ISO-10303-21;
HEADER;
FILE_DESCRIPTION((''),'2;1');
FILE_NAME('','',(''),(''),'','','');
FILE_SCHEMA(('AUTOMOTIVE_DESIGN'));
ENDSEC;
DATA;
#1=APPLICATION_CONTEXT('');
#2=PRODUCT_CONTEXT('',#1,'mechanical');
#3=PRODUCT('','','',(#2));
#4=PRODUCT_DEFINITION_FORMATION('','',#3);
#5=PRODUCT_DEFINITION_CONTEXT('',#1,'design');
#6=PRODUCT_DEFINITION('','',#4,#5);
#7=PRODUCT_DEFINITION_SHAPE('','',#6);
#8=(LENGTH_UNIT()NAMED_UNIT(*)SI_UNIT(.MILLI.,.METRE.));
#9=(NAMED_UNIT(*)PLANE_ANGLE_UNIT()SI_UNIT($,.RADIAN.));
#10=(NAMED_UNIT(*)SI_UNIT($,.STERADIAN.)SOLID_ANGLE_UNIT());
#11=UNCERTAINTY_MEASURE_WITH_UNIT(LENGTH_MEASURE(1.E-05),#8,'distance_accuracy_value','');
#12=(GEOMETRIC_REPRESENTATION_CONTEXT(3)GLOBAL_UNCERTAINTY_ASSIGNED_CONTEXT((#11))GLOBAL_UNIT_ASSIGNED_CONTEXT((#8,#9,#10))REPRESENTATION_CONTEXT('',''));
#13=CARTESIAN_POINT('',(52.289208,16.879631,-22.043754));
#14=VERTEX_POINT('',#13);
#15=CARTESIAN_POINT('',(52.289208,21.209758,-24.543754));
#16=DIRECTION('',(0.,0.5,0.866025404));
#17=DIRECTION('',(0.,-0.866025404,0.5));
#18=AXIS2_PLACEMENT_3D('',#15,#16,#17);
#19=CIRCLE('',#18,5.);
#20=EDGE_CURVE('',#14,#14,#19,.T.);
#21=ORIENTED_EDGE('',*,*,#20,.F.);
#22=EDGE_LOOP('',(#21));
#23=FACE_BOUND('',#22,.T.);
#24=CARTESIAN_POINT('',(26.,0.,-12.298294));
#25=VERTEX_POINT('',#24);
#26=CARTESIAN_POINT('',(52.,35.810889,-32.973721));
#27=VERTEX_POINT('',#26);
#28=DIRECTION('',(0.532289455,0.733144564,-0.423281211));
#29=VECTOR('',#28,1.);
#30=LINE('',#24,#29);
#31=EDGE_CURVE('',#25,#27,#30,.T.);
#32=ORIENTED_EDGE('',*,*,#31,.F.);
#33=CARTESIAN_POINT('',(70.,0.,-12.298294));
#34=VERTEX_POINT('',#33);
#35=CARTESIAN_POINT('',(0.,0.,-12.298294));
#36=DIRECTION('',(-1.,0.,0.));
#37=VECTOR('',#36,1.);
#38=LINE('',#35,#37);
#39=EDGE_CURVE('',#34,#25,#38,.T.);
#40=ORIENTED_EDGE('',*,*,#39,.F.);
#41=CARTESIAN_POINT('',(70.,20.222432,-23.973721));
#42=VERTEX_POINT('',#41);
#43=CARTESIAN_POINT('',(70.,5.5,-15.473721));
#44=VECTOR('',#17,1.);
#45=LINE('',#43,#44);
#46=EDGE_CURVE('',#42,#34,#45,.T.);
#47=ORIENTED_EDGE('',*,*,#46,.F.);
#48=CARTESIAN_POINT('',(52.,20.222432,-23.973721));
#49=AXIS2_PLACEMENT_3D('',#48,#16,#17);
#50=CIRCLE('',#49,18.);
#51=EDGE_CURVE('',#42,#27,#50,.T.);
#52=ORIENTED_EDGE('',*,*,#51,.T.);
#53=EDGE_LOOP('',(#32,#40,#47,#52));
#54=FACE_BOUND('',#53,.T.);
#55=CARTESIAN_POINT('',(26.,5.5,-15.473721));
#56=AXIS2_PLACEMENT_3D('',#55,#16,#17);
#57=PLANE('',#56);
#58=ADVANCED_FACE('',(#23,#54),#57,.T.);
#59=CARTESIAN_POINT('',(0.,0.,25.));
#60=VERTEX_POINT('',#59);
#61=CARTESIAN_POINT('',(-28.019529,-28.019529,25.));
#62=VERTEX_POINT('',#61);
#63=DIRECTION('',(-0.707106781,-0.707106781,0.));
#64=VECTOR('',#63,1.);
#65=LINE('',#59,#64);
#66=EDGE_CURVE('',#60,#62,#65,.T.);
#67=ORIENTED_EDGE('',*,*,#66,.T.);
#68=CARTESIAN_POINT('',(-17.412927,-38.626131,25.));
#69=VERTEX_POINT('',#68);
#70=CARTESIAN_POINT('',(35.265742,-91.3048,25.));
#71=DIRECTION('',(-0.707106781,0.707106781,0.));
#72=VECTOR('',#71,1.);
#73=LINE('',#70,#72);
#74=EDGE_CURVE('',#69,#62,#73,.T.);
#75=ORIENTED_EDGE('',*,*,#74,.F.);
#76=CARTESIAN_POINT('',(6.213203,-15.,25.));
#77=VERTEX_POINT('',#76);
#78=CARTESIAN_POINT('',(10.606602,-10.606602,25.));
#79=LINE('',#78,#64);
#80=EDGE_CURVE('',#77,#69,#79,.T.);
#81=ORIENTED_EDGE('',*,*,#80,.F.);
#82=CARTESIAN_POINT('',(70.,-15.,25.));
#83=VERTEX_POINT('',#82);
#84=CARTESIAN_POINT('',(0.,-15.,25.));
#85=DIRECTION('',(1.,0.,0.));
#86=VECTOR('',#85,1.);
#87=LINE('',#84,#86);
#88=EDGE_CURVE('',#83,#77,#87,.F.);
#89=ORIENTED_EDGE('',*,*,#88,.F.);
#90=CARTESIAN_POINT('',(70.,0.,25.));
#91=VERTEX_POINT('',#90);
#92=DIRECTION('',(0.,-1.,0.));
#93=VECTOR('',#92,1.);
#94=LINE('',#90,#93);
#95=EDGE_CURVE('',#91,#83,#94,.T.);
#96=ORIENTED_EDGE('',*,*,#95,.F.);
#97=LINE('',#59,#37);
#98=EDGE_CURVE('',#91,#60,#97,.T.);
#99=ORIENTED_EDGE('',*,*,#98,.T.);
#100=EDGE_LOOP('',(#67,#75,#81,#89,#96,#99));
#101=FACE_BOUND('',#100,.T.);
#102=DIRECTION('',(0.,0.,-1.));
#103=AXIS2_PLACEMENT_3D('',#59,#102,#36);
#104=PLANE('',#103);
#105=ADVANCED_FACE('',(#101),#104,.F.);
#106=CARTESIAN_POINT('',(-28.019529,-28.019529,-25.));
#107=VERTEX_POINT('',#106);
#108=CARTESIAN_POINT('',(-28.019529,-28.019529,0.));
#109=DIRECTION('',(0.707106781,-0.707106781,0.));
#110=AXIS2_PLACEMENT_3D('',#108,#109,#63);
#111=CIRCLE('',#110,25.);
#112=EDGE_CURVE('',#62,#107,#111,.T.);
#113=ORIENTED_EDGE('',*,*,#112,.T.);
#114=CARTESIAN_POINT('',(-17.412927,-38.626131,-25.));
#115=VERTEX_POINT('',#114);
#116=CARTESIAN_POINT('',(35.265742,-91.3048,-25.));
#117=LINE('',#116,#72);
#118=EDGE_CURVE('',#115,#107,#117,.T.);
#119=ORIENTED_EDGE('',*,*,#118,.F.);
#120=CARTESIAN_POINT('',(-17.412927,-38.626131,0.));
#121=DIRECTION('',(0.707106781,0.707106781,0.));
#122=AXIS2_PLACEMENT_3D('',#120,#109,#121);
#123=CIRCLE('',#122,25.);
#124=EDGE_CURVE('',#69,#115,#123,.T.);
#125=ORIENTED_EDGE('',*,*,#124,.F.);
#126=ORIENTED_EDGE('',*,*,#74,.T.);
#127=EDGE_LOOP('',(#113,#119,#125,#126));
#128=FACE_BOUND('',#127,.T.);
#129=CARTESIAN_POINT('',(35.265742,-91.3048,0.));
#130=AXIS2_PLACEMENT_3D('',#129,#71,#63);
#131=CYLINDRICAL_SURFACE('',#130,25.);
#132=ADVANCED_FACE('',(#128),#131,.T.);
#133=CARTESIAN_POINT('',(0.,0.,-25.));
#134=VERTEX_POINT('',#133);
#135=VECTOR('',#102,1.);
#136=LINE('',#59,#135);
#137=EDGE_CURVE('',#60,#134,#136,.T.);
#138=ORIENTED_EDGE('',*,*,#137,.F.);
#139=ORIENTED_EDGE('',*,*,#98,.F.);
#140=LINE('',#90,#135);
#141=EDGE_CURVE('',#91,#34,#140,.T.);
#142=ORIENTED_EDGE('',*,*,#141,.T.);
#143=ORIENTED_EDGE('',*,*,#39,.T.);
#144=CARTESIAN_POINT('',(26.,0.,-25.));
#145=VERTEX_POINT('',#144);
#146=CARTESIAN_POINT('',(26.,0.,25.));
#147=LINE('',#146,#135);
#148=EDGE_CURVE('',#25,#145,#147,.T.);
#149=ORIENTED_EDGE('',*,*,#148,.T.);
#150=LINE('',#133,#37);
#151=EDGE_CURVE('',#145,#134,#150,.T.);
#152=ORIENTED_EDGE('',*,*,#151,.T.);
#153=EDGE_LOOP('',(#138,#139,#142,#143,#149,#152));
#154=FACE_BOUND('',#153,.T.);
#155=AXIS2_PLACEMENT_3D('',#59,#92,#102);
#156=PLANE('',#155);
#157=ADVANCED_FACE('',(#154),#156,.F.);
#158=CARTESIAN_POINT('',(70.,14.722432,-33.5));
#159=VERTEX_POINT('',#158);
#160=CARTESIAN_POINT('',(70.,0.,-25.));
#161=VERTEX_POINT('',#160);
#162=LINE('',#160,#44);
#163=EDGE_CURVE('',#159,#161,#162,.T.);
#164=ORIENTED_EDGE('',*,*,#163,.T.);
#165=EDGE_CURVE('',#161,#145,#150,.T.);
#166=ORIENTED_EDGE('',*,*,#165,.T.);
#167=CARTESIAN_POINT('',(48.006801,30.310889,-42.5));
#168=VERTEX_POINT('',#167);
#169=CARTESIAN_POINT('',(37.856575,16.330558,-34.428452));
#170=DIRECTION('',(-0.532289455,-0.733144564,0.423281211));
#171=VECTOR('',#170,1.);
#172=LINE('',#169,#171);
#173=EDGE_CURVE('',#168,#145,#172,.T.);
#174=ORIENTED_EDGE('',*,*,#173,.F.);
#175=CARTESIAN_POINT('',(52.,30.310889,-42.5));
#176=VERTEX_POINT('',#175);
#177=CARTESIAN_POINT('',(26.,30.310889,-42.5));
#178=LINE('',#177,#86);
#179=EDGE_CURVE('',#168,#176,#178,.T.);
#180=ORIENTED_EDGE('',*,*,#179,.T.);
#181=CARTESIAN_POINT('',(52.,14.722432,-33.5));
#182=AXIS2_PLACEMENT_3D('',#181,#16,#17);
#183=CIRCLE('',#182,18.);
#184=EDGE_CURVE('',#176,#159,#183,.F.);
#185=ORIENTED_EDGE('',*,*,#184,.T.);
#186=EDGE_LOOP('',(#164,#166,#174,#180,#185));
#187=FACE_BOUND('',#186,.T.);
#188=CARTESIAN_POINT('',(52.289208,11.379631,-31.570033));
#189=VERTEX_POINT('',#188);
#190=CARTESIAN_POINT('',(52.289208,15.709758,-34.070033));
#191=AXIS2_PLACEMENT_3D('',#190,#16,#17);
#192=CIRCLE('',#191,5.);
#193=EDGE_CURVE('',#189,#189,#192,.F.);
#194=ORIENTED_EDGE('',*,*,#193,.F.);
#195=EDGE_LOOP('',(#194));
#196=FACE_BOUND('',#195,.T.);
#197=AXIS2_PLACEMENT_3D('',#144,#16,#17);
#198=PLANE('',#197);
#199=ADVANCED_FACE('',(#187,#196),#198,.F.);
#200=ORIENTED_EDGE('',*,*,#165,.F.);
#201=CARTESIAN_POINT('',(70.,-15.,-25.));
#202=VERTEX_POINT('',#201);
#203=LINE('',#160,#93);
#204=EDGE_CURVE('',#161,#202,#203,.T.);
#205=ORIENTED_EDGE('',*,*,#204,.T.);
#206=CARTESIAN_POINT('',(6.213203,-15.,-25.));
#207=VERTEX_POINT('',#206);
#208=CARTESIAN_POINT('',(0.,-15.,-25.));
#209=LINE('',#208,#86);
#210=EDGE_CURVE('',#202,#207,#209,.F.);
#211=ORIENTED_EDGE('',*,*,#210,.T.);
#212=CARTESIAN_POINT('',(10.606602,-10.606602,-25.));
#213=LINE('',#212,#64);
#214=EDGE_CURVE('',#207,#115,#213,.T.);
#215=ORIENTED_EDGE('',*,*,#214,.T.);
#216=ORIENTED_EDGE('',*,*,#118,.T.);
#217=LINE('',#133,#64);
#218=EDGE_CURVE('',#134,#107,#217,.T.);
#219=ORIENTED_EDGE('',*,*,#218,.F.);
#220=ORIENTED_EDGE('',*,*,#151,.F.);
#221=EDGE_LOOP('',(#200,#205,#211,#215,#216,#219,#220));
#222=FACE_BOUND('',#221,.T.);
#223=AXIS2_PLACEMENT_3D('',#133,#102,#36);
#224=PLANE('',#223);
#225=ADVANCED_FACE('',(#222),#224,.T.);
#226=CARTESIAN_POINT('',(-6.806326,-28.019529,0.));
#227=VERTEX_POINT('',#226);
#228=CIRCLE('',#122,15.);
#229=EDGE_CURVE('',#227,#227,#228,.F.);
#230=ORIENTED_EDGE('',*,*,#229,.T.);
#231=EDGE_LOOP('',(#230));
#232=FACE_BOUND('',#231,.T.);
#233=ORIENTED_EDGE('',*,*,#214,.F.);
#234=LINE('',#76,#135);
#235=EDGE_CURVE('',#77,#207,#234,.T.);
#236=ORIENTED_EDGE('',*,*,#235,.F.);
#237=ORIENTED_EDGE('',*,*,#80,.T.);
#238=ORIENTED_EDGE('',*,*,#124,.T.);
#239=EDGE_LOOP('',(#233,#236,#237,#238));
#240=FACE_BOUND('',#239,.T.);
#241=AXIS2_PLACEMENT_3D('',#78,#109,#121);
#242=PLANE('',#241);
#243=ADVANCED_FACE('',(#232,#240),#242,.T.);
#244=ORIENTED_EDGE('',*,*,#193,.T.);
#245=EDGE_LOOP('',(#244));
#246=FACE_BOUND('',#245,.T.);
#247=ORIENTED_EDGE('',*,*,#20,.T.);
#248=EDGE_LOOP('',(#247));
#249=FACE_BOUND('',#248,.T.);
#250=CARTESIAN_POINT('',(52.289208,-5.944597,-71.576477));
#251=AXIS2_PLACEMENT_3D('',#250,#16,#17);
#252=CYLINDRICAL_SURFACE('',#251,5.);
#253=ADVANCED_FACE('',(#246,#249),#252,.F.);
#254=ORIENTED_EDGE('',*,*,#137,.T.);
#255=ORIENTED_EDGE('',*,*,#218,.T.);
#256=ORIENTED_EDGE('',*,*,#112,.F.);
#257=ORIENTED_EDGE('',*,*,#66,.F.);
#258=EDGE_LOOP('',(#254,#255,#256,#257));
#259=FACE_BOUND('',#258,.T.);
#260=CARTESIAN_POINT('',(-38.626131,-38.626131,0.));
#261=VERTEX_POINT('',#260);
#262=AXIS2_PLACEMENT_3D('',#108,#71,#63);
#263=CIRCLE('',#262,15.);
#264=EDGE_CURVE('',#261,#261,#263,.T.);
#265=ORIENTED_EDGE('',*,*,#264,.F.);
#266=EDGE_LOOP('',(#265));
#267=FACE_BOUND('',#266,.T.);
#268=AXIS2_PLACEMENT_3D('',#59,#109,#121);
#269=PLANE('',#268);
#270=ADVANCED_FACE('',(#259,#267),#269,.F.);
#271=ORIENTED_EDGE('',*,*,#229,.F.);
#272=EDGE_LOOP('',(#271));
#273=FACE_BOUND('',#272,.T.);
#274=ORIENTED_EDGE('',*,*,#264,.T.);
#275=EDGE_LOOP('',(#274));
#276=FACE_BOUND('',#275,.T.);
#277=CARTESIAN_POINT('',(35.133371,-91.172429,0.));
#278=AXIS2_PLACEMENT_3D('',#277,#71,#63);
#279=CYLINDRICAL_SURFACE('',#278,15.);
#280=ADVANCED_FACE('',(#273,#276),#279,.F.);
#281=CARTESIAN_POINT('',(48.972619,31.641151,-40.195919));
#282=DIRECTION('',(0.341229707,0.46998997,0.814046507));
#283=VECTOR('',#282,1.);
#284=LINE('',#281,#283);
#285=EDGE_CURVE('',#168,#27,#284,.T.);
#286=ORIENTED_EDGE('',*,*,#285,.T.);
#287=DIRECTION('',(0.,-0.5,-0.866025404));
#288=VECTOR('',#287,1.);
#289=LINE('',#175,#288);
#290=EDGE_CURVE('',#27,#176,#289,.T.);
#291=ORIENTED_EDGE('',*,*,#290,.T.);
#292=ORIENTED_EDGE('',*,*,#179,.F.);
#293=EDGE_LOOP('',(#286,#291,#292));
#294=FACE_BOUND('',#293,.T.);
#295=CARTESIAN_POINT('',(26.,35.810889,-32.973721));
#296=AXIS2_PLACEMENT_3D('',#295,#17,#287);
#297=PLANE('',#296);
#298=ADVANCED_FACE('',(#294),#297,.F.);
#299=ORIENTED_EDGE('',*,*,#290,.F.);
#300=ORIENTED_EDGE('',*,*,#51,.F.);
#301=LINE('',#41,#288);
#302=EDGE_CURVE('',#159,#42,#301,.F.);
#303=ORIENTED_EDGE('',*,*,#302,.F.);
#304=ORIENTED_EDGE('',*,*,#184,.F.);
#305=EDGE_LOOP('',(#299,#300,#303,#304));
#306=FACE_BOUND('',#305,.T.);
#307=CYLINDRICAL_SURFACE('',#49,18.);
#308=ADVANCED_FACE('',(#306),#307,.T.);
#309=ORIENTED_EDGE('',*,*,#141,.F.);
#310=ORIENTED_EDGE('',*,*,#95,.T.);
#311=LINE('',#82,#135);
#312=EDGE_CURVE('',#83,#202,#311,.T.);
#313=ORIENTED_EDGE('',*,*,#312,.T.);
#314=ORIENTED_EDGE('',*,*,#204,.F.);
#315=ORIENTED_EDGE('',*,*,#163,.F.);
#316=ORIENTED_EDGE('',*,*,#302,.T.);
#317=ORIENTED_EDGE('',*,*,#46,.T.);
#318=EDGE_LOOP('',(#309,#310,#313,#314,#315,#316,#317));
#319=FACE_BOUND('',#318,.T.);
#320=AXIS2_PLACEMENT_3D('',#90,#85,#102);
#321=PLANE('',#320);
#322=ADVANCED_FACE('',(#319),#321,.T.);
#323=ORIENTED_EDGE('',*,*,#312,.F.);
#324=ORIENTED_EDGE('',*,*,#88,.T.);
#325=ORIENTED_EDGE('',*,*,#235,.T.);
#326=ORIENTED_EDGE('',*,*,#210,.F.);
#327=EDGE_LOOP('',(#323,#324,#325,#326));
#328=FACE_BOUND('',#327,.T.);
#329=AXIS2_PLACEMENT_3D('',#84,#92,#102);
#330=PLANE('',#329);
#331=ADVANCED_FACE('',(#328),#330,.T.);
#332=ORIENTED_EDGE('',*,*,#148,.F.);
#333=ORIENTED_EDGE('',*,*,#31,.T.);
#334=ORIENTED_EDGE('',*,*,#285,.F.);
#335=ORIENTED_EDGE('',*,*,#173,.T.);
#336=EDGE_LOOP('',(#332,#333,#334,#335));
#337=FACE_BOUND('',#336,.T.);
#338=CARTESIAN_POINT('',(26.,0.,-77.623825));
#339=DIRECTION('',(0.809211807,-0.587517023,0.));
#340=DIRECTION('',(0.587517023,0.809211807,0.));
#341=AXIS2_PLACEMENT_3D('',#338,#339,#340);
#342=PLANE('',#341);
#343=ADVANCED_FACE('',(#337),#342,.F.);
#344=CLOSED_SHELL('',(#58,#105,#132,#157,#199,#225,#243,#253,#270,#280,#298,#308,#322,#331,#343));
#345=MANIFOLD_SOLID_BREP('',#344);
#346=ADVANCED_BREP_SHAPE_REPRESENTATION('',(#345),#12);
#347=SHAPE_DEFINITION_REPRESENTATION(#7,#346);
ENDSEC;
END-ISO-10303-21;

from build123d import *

# Parameters (mm, degrees)
EXTRUDE_THIN1_DEPTH = 25
CUT_EXTRUDE1_REACH  = 95.408
CUT_EXTRUDE2_REACH  = 95.248
SKETCH4_R           = 15
EXTRUDE_THIN2_DEPTH = 44
FILLET2_R           = 18
CUT_EXTRUDE4_REACH  = 95.113
SKETCH8_R           = 5
CUT_EXTRUDE9_DEPTH  = 14.666666666


with BuildPart() as part:
    # Sketch1 → Extrude-Thin1 (new, symmetric)
    with BuildSketch(Plane.XY):
        Polygon((-45.961940777, -45.961940777), (0, 0), (70, 0), (70, -15), (6.213203436, -15), (-35.355339059, -56.568542495), align=None)
    extrude(amount=EXTRUDE_THIN1_DEPTH, both=True)

    # Sketch3 → Cut-Extrude1 (cut, up to next)
    with BuildSketch(Plane(origin=(0, 0, 0), x_dir=(0, 0, 1), z_dir=(-0.707106781186544, 0.7071067811865511, 0)), mode=Mode.PRIVATE) as cut_extrude1_sk1:
        with BuildLine():
            Line((-25, -39.625598043), (-40.613417223, -39.625598043))
            Line((-40.613417223, -39.625598043), (-40.613417223, -78.57107129))
            Line((-40.613417223, -78.57107129), (38.176612189, -78.57107129))
            Line((38.176612189, -78.57107129), (38.176612189, -39.625598043))
            Line((38.176612189, -39.625598043), (25, -39.625598043))
            ThreePointArc((25, -39.625598043), (0, -64.625598043), (-25, -39.625598043))
        make_face()
    cut_extrude1_tool1 = extrude(cut_extrude1_sk1.sketch, amount=-CUT_EXTRUDE1_REACH, mode=Mode.PRIVATE) & part.part
    add(cut_extrude1_tool1.solids().sort_by_distance((-28.641004, -28.641004, -32.806709))[0], mode=Mode.SUBTRACT)

    # Sketch4 → Cut-Extrude2 (cut, up to next)
    with BuildSketch(Plane(origin=(0, 0, 0), x_dir=(0, 0, 1), z_dir=(-0.707106781186544, 0.7071067811865511, 0)), mode=Mode.PRIVATE) as cut_extrude2_sk1:
        with Locations(Location((0, -39.625598043, 0), (0, 0, 270))):
            Circle(SKETCH4_R)
    cut_extrude2_tool1 = extrude(cut_extrude2_sk1.sketch, amount=-CUT_EXTRUDE2_REACH, mode=Mode.PRIVATE) & part.part
    add(cut_extrude2_tool1.solids().sort_by_distance((-28.019529, -28.019529, 0))[0], mode=Mode.SUBTRACT)

    # Sketch6 → Extrude-Thin2 (add)
    with BuildSketch(Plane(origin=(70, 0, 0), x_dir=(0, 0, -1), z_dir=(1, 0, 0))):
        Polygon((19.884546135, -8.860225997), (25, 0), (42.5, 30.310889132), (32.973720558, 35.810889132), (15.473720558, 5.5), (10.358266694, -3.360225997), align=None)
    extrude(amount=-EXTRUDE_THIN2_DEPTH)

    # Fillet2
    fillet2_edges = [part.edges().sort_by_distance(p)[0] for p in [
        (70, 33.060889132, -37.736860279),
    ]]
    fillet(fillet2_edges, radius=FILLET2_R)

    # Sketch8 → Cut-Extrude4 (cut, up to next)
    with BuildSketch(Plane(origin=(0, -5.325317547, -9.223720558), x_dir=(1, 0, 0), z_dir=(0, 0.4999999999999978, 0.86602540378444)), mode=Mode.PRIVATE) as cut_extrude4_sk1:
        with Locations(Location((52.289208075, 30.640066592, 0), (0, 0, 270))):
            Circle(SKETCH8_R)
    cut_extrude4_tool1 = extrude(cut_extrude4_sk1.sketch, amount=-CUT_EXTRUDE4_REACH, mode=Mode.PRIVATE) & part.part
    add(cut_extrude4_tool1.solids().sort_by_distance((52.289208, 21.209758, -24.543754))[0], mode=Mode.SUBTRACT)

    # Sketch10 → Cut-Extrude9 (cut, along a direction that is not the sketch's normal)
    with BuildSketch(Plane(origin=(0, -5.325317547, -9.223720558), x_dir=(1, 0, 0), z_dir=(0, 0.4999999999999978, 0.86602540378444))):
        Polygon((26, 6.149147039), (52, 47.5), (26, 47.5), align=None)
    extrude(amount=-CUT_EXTRUDE9_DEPTH, dir=(0, 0, 1), mode=Mode.SUBTRACT)


solid = part.part
